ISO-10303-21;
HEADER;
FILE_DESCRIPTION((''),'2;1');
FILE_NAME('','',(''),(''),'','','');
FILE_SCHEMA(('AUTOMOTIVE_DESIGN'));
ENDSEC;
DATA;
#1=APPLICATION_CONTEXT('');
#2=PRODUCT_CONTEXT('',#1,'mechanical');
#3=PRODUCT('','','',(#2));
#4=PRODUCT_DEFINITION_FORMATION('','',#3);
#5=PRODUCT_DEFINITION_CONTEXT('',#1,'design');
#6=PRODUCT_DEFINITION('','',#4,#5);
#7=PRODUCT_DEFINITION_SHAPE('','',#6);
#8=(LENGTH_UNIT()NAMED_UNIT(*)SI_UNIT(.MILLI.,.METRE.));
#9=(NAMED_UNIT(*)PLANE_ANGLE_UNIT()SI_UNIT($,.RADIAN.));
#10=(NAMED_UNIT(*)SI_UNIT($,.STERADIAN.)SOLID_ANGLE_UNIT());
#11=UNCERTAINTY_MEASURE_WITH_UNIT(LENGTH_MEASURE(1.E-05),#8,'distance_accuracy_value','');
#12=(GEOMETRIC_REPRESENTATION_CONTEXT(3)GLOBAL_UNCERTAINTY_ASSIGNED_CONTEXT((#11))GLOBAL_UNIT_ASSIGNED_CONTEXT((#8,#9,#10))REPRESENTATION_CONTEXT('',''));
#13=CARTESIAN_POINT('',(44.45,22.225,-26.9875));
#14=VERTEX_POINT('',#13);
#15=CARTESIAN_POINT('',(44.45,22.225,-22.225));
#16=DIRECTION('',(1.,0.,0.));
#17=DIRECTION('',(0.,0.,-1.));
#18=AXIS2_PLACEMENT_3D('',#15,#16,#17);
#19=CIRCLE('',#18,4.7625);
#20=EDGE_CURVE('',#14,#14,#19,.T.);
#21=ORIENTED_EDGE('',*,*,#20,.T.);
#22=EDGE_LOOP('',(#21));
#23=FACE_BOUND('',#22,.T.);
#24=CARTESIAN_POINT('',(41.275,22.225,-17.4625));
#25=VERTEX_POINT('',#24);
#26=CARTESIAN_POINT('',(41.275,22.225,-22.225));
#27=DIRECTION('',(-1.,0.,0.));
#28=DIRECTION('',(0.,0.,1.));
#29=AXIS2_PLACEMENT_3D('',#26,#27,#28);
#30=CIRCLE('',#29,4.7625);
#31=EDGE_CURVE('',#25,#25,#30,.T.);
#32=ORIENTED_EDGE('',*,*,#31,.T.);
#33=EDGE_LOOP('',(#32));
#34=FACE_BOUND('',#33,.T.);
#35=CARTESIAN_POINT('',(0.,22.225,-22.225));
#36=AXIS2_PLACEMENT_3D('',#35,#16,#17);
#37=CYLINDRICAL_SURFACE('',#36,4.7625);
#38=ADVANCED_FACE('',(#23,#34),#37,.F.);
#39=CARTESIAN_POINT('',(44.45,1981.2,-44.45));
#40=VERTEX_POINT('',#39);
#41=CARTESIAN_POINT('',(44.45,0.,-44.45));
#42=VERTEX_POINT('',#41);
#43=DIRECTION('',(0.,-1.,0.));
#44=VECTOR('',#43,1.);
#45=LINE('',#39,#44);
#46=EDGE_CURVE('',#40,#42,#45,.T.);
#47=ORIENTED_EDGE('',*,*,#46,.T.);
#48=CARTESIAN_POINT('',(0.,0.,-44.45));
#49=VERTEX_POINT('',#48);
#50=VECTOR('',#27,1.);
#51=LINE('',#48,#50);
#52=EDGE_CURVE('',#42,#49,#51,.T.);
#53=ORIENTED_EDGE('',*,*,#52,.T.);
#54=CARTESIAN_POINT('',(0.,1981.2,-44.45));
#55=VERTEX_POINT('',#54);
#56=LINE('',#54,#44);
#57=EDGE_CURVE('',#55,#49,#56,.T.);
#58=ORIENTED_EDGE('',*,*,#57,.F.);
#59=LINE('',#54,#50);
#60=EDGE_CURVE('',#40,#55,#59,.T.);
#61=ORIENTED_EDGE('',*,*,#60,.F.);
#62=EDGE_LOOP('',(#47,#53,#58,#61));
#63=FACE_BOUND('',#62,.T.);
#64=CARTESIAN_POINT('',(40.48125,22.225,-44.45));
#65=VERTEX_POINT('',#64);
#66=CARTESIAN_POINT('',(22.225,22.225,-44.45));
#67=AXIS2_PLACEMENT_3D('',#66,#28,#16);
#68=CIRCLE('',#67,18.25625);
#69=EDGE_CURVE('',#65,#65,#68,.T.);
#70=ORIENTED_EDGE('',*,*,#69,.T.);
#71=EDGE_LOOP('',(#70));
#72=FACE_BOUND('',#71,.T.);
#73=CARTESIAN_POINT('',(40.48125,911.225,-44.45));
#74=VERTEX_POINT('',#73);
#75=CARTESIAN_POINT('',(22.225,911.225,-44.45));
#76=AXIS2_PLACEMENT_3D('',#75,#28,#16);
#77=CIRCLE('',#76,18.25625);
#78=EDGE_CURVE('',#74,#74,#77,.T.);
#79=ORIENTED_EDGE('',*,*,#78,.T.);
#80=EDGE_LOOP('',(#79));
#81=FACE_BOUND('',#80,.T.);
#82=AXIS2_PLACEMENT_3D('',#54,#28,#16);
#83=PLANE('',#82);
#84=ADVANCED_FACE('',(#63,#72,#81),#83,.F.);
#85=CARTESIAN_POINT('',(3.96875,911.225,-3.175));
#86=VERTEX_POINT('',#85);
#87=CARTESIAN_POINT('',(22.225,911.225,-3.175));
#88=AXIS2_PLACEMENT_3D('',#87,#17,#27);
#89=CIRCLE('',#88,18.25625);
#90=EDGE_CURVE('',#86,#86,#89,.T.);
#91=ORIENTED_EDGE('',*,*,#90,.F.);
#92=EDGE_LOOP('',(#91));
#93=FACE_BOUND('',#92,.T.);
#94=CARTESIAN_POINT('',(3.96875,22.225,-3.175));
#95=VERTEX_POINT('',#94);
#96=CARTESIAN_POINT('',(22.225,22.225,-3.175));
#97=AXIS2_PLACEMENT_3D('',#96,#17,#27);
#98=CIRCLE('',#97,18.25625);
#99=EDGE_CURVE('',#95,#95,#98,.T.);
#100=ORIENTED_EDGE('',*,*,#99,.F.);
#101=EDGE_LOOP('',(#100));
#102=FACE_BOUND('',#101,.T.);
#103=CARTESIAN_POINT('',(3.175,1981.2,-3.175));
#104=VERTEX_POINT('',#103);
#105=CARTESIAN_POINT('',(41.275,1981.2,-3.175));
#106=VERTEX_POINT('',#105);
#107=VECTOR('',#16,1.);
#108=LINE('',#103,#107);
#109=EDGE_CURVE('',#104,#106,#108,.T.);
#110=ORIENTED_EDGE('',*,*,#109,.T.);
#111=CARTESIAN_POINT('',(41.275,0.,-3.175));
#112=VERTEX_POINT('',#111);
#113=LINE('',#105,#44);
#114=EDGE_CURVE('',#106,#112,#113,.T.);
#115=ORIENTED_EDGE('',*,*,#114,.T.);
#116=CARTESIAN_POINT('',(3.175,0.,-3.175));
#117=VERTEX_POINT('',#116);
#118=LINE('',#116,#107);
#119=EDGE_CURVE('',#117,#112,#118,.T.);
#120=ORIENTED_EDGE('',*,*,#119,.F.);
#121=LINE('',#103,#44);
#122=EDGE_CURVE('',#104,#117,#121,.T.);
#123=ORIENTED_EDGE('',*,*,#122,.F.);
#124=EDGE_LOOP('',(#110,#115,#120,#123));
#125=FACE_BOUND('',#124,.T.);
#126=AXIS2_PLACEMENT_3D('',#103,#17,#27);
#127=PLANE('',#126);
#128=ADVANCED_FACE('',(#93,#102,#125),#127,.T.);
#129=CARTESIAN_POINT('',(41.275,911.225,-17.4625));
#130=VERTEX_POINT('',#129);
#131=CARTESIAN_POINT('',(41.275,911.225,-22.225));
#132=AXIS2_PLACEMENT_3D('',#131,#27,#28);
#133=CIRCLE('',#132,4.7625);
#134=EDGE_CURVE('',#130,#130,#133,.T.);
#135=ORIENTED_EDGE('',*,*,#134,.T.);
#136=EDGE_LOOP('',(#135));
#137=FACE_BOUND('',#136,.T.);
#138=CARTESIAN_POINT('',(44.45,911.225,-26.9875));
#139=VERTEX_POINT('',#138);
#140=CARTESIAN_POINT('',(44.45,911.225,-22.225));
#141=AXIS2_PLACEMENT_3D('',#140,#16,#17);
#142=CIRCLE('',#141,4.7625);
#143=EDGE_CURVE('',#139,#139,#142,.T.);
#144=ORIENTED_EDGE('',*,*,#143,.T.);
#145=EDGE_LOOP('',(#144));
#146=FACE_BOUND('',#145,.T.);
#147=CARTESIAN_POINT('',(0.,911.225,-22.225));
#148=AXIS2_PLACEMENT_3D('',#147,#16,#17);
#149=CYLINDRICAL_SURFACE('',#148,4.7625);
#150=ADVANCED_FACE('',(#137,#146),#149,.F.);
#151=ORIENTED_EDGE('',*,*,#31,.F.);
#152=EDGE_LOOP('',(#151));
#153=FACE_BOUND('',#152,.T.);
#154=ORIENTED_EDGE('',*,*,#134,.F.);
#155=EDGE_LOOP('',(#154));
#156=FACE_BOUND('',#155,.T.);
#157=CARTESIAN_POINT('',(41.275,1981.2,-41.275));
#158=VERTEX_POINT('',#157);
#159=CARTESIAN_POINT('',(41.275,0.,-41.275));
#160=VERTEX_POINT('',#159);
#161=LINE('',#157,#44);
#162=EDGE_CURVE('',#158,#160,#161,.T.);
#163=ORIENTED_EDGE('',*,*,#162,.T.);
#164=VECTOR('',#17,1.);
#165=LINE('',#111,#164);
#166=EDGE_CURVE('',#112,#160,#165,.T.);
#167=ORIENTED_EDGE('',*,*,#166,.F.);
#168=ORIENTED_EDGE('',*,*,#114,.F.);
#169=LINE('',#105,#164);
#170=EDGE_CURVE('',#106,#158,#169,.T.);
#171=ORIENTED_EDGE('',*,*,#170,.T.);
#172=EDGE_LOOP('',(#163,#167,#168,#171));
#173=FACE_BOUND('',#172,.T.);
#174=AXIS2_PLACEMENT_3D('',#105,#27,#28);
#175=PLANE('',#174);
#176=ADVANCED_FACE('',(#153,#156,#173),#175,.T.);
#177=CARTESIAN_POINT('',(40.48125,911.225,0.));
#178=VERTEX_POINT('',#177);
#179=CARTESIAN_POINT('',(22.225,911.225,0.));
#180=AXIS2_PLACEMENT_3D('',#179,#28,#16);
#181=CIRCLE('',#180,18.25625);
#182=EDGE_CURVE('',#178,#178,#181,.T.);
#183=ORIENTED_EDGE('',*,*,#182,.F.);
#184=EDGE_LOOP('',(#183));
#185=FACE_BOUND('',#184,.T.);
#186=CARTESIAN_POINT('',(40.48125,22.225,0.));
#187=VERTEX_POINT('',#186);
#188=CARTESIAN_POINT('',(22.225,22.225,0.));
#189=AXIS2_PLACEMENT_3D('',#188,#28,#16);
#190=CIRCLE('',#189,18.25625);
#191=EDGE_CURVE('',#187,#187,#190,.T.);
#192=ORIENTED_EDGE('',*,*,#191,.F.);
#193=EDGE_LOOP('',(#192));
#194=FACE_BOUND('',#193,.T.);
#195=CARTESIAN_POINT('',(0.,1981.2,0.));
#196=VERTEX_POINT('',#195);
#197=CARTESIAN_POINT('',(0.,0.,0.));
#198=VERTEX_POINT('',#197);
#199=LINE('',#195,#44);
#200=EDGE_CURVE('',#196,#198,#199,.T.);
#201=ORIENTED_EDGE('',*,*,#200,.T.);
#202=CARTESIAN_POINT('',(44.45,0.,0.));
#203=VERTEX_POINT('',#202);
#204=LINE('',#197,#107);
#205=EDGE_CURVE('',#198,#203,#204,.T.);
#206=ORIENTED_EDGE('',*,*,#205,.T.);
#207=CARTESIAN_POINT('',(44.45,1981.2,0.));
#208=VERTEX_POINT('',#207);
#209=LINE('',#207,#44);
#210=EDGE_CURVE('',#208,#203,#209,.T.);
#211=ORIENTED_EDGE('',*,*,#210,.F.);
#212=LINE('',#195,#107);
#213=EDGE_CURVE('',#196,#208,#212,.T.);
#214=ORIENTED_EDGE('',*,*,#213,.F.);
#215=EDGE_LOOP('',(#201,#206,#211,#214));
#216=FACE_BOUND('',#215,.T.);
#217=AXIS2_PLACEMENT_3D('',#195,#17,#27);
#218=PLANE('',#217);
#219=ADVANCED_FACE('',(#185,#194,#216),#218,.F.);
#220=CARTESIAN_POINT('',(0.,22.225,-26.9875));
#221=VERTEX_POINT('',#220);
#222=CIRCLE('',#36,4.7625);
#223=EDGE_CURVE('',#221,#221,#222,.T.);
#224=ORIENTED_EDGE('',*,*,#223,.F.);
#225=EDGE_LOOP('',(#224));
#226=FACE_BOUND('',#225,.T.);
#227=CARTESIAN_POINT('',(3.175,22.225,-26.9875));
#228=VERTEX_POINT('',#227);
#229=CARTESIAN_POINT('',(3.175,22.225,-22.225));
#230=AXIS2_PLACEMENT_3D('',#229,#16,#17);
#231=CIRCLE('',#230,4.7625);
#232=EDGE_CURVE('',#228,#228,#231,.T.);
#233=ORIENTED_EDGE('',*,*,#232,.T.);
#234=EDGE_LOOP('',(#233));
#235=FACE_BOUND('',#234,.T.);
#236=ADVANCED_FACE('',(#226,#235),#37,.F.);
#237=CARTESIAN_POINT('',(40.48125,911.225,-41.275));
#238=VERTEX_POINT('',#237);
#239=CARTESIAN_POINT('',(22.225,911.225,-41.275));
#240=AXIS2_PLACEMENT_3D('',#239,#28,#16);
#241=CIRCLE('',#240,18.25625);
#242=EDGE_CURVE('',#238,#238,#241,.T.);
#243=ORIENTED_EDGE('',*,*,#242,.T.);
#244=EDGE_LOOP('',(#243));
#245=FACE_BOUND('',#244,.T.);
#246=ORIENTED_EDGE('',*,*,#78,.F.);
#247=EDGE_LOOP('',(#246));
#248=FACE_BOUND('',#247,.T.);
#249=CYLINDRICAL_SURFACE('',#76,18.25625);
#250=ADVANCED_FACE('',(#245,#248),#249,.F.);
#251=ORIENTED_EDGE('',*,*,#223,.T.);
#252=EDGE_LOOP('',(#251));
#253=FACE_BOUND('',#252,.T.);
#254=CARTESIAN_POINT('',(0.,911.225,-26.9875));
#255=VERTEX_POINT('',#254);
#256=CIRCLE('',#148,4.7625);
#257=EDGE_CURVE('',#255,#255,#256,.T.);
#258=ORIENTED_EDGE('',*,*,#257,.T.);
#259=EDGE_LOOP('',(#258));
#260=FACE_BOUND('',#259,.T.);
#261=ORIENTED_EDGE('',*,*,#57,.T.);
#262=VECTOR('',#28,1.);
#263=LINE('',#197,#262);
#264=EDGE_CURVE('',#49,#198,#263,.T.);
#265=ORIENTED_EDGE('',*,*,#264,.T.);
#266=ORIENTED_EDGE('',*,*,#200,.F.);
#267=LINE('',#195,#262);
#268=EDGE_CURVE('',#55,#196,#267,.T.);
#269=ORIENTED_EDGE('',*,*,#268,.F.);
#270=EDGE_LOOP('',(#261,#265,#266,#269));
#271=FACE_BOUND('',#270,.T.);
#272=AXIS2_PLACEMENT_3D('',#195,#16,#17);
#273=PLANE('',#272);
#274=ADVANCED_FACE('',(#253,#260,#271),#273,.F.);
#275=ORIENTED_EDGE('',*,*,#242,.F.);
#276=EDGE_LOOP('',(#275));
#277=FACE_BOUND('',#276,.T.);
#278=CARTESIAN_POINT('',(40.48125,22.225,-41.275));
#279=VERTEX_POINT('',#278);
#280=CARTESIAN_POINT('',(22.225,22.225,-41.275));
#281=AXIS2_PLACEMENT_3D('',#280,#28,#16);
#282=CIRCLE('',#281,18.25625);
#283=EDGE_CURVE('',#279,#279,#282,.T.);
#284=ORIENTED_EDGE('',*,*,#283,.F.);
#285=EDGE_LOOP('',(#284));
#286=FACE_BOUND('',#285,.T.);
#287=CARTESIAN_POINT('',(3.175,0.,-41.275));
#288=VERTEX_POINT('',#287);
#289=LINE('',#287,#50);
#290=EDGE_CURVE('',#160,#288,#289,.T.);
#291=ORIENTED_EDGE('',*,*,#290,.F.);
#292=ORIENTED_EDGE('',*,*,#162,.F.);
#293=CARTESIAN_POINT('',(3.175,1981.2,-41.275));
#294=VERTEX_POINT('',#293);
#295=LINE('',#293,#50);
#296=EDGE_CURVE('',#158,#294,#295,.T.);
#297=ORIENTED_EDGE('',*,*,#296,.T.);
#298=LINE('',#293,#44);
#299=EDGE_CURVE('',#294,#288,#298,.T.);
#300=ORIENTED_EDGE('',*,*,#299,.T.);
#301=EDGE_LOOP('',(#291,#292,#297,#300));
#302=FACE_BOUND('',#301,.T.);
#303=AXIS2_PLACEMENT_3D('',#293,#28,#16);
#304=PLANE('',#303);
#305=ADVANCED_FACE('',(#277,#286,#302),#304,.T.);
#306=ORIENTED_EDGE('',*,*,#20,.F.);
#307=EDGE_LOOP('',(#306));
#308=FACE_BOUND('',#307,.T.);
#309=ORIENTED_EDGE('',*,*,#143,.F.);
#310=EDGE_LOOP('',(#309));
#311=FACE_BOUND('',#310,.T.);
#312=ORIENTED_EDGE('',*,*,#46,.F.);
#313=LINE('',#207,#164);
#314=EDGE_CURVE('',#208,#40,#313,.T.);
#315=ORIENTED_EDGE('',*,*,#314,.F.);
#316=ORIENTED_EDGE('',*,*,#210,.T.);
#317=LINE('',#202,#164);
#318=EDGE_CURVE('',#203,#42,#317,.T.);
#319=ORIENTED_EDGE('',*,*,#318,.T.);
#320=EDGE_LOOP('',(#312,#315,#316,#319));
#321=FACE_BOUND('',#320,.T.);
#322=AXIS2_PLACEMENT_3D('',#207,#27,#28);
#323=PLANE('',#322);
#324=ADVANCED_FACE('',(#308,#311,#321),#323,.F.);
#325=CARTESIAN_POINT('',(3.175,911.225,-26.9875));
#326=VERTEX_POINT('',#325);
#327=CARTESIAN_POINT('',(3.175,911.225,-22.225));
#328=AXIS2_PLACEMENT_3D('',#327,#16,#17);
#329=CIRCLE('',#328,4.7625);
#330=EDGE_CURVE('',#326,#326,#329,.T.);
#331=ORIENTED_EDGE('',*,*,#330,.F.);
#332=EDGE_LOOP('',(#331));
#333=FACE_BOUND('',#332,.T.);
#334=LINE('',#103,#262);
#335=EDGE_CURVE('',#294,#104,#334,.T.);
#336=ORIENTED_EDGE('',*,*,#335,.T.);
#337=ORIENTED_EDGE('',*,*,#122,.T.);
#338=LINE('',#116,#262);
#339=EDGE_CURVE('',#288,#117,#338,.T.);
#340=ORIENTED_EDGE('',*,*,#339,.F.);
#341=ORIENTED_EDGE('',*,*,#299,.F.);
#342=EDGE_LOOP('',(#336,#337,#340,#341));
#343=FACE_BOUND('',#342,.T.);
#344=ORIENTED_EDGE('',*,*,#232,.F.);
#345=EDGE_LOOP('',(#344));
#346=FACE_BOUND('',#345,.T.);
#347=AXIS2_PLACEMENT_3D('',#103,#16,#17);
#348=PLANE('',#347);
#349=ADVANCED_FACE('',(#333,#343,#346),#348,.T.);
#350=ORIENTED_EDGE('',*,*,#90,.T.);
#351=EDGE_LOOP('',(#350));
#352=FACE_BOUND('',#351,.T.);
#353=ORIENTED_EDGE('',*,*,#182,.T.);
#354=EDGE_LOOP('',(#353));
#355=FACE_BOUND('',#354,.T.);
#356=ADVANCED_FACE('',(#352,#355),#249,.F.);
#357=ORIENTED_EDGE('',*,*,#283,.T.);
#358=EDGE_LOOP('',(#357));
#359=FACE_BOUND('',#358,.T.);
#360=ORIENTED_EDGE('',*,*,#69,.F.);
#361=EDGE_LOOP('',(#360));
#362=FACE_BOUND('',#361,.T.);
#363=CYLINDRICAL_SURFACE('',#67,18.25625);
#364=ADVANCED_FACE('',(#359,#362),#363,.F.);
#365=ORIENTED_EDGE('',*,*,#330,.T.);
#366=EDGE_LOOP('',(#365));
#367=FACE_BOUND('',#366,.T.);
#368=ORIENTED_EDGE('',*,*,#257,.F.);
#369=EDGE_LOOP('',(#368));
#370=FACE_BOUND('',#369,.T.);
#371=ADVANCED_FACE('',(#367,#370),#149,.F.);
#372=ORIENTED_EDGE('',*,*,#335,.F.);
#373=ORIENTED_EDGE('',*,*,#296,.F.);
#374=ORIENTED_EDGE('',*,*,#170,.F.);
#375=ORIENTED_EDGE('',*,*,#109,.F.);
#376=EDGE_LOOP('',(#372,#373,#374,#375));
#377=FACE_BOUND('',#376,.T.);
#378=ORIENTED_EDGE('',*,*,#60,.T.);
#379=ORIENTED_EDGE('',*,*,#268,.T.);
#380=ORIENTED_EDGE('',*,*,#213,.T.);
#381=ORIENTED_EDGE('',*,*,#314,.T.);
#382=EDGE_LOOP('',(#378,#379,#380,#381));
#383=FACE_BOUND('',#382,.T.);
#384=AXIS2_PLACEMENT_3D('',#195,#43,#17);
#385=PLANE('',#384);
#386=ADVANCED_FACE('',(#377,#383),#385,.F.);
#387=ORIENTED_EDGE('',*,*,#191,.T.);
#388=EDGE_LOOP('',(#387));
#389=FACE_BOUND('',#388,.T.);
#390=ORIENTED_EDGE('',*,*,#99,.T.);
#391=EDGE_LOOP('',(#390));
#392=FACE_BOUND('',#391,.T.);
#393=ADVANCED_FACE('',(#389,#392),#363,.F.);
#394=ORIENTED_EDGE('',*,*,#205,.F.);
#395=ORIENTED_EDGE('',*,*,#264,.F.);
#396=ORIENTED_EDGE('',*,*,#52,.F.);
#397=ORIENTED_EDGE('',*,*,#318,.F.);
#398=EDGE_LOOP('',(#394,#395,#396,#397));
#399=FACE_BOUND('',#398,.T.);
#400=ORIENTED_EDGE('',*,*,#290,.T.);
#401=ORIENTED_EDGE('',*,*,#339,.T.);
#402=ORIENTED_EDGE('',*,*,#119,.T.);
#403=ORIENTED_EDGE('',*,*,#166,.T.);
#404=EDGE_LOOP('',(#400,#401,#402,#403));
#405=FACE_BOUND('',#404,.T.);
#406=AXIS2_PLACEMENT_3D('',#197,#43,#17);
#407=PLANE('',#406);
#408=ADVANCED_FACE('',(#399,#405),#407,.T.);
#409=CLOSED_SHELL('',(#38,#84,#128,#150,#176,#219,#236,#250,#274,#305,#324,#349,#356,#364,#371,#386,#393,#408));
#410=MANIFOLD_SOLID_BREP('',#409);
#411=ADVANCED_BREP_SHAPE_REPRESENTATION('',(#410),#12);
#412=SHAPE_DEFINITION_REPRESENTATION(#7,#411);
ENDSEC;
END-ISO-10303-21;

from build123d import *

# Parameters (mm, degrees)
SKETCH1_W           = 44.45
SKETCH1_H           = 44.45
SKETCH1_W_2         = 38.1
SKETCH1_H_2         = 38.1
BOSS_EXTRUDE1_DEPTH = 1981.2
SKETCH2_R           = 18.25625
CUT_EXTRUDE1_DEPTH  = 45.45
SKETCH3_R           = 4.7625
CUT_EXTRUDE2_DEPTH  = 45.45


with BuildPart() as part:
    # Sketch1 → Boss-Extrude1 (new body)
    with BuildSketch(Plane(origin=(0, 0, 0), x_dir=(1, 0, 0), z_dir=(0, 1, 0))):
        with Locations((22.225, 22.225)):
            Rectangle(SKETCH1_W, SKETCH1_H)
        with Locations((22.225, 22.225)):
            Rectangle(SKETCH1_W_2, SKETCH1_H_2, mode=Mode.SUBTRACT)
    extrude(amount=BOSS_EXTRUDE1_DEPTH)

    # Sketch2 → Cut-Extrude1 (cut, through all)
    with BuildSketch(Plane.XY):
        with Locations((22.225, 22.225)):
            Circle(SKETCH2_R)
        with Locations((22.225, 911.225)):
            Circle(SKETCH2_R)
    extrude(amount=-CUT_EXTRUDE1_DEPTH, mode=Mode.SUBTRACT)

    # Sketch3 → Cut-Extrude2 (cut, through all)
    with BuildSketch(Plane(origin=(44.45, 0, 0), x_dir=(0, 0, -1), z_dir=(1, 0, 0))):
        with Locations((22.225, 22.225)):
            Circle(SKETCH3_R)
        with Locations((22.225, 911.225)):
            Circle(SKETCH3_R)
    extrude(amount=-CUT_EXTRUDE2_DEPTH, mode=Mode.SUBTRACT)


solid = part.part
